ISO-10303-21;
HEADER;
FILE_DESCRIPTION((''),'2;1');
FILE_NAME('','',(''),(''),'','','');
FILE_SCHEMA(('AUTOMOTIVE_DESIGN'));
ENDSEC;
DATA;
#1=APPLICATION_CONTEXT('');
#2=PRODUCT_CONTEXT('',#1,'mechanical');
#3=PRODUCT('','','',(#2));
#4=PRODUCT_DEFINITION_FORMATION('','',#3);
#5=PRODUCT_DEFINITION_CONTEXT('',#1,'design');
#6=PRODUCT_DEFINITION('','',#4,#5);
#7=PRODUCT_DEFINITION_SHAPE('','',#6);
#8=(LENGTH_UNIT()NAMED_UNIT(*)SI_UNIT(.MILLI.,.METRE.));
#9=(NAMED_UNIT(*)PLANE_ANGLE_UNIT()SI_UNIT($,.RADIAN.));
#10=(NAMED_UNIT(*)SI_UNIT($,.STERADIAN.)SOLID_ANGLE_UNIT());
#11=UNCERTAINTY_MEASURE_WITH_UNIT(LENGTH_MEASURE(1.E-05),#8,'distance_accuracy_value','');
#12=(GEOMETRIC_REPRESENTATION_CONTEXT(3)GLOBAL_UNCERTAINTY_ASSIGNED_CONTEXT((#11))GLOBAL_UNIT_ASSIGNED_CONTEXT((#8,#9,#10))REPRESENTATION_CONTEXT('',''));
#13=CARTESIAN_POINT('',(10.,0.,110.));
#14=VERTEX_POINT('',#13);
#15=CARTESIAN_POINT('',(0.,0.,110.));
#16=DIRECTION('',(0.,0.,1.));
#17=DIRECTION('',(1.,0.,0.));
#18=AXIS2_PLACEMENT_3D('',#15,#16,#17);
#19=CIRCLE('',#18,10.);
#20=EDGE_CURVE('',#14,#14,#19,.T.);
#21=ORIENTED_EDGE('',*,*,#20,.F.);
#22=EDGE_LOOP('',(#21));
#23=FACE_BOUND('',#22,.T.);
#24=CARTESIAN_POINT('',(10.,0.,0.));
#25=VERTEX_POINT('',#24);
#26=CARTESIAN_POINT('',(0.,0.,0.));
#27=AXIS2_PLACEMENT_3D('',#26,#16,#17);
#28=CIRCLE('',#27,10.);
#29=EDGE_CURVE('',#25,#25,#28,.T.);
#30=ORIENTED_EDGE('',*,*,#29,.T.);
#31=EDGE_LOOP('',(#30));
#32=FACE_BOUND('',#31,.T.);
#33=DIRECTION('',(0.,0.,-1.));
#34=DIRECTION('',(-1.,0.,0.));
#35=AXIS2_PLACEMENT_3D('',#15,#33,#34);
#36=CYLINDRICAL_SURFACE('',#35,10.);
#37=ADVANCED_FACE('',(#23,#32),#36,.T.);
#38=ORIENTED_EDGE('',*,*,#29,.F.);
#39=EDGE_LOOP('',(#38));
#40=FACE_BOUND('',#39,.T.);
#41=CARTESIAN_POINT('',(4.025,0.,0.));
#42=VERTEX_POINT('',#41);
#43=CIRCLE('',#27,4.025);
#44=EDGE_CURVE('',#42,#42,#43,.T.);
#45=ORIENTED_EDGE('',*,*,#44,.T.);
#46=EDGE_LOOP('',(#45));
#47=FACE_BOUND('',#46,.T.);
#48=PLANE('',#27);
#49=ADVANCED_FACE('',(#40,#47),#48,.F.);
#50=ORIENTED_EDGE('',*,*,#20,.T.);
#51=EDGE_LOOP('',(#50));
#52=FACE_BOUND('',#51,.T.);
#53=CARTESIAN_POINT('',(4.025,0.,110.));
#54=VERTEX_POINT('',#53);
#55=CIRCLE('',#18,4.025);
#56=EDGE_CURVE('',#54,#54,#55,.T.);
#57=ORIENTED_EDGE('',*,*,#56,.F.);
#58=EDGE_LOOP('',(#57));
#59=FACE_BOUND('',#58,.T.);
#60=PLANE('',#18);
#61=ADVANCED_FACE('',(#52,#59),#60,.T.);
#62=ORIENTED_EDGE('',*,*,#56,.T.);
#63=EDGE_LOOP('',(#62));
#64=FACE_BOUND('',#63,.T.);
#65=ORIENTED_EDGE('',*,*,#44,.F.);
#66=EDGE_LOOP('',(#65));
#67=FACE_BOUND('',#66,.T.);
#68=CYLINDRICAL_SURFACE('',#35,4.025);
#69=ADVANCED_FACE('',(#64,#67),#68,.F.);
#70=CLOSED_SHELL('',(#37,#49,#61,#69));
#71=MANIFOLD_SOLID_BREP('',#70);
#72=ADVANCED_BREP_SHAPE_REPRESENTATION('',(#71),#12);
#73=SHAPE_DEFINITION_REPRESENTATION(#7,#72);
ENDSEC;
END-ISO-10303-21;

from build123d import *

# Parameters (mm, degrees)
SKIZZE1_R                       = 10
SKIZZE1_R_2                     = 4.025
AUFSATZ_LINEAR_AUSTRAGEN1_DEPTH = 110


with BuildPart() as part:
    # Skizze1 → Aufsatz-Linear austragen1 (new body)
    with BuildSketch(Plane.XY):
        Circle(SKIZZE1_R)
        Circle(SKIZZE1_R_2, mode=Mode.SUBTRACT)
    extrude(amount=AUFSATZ_LINEAR_AUSTRAGEN1_DEPTH)


solid = part.part
